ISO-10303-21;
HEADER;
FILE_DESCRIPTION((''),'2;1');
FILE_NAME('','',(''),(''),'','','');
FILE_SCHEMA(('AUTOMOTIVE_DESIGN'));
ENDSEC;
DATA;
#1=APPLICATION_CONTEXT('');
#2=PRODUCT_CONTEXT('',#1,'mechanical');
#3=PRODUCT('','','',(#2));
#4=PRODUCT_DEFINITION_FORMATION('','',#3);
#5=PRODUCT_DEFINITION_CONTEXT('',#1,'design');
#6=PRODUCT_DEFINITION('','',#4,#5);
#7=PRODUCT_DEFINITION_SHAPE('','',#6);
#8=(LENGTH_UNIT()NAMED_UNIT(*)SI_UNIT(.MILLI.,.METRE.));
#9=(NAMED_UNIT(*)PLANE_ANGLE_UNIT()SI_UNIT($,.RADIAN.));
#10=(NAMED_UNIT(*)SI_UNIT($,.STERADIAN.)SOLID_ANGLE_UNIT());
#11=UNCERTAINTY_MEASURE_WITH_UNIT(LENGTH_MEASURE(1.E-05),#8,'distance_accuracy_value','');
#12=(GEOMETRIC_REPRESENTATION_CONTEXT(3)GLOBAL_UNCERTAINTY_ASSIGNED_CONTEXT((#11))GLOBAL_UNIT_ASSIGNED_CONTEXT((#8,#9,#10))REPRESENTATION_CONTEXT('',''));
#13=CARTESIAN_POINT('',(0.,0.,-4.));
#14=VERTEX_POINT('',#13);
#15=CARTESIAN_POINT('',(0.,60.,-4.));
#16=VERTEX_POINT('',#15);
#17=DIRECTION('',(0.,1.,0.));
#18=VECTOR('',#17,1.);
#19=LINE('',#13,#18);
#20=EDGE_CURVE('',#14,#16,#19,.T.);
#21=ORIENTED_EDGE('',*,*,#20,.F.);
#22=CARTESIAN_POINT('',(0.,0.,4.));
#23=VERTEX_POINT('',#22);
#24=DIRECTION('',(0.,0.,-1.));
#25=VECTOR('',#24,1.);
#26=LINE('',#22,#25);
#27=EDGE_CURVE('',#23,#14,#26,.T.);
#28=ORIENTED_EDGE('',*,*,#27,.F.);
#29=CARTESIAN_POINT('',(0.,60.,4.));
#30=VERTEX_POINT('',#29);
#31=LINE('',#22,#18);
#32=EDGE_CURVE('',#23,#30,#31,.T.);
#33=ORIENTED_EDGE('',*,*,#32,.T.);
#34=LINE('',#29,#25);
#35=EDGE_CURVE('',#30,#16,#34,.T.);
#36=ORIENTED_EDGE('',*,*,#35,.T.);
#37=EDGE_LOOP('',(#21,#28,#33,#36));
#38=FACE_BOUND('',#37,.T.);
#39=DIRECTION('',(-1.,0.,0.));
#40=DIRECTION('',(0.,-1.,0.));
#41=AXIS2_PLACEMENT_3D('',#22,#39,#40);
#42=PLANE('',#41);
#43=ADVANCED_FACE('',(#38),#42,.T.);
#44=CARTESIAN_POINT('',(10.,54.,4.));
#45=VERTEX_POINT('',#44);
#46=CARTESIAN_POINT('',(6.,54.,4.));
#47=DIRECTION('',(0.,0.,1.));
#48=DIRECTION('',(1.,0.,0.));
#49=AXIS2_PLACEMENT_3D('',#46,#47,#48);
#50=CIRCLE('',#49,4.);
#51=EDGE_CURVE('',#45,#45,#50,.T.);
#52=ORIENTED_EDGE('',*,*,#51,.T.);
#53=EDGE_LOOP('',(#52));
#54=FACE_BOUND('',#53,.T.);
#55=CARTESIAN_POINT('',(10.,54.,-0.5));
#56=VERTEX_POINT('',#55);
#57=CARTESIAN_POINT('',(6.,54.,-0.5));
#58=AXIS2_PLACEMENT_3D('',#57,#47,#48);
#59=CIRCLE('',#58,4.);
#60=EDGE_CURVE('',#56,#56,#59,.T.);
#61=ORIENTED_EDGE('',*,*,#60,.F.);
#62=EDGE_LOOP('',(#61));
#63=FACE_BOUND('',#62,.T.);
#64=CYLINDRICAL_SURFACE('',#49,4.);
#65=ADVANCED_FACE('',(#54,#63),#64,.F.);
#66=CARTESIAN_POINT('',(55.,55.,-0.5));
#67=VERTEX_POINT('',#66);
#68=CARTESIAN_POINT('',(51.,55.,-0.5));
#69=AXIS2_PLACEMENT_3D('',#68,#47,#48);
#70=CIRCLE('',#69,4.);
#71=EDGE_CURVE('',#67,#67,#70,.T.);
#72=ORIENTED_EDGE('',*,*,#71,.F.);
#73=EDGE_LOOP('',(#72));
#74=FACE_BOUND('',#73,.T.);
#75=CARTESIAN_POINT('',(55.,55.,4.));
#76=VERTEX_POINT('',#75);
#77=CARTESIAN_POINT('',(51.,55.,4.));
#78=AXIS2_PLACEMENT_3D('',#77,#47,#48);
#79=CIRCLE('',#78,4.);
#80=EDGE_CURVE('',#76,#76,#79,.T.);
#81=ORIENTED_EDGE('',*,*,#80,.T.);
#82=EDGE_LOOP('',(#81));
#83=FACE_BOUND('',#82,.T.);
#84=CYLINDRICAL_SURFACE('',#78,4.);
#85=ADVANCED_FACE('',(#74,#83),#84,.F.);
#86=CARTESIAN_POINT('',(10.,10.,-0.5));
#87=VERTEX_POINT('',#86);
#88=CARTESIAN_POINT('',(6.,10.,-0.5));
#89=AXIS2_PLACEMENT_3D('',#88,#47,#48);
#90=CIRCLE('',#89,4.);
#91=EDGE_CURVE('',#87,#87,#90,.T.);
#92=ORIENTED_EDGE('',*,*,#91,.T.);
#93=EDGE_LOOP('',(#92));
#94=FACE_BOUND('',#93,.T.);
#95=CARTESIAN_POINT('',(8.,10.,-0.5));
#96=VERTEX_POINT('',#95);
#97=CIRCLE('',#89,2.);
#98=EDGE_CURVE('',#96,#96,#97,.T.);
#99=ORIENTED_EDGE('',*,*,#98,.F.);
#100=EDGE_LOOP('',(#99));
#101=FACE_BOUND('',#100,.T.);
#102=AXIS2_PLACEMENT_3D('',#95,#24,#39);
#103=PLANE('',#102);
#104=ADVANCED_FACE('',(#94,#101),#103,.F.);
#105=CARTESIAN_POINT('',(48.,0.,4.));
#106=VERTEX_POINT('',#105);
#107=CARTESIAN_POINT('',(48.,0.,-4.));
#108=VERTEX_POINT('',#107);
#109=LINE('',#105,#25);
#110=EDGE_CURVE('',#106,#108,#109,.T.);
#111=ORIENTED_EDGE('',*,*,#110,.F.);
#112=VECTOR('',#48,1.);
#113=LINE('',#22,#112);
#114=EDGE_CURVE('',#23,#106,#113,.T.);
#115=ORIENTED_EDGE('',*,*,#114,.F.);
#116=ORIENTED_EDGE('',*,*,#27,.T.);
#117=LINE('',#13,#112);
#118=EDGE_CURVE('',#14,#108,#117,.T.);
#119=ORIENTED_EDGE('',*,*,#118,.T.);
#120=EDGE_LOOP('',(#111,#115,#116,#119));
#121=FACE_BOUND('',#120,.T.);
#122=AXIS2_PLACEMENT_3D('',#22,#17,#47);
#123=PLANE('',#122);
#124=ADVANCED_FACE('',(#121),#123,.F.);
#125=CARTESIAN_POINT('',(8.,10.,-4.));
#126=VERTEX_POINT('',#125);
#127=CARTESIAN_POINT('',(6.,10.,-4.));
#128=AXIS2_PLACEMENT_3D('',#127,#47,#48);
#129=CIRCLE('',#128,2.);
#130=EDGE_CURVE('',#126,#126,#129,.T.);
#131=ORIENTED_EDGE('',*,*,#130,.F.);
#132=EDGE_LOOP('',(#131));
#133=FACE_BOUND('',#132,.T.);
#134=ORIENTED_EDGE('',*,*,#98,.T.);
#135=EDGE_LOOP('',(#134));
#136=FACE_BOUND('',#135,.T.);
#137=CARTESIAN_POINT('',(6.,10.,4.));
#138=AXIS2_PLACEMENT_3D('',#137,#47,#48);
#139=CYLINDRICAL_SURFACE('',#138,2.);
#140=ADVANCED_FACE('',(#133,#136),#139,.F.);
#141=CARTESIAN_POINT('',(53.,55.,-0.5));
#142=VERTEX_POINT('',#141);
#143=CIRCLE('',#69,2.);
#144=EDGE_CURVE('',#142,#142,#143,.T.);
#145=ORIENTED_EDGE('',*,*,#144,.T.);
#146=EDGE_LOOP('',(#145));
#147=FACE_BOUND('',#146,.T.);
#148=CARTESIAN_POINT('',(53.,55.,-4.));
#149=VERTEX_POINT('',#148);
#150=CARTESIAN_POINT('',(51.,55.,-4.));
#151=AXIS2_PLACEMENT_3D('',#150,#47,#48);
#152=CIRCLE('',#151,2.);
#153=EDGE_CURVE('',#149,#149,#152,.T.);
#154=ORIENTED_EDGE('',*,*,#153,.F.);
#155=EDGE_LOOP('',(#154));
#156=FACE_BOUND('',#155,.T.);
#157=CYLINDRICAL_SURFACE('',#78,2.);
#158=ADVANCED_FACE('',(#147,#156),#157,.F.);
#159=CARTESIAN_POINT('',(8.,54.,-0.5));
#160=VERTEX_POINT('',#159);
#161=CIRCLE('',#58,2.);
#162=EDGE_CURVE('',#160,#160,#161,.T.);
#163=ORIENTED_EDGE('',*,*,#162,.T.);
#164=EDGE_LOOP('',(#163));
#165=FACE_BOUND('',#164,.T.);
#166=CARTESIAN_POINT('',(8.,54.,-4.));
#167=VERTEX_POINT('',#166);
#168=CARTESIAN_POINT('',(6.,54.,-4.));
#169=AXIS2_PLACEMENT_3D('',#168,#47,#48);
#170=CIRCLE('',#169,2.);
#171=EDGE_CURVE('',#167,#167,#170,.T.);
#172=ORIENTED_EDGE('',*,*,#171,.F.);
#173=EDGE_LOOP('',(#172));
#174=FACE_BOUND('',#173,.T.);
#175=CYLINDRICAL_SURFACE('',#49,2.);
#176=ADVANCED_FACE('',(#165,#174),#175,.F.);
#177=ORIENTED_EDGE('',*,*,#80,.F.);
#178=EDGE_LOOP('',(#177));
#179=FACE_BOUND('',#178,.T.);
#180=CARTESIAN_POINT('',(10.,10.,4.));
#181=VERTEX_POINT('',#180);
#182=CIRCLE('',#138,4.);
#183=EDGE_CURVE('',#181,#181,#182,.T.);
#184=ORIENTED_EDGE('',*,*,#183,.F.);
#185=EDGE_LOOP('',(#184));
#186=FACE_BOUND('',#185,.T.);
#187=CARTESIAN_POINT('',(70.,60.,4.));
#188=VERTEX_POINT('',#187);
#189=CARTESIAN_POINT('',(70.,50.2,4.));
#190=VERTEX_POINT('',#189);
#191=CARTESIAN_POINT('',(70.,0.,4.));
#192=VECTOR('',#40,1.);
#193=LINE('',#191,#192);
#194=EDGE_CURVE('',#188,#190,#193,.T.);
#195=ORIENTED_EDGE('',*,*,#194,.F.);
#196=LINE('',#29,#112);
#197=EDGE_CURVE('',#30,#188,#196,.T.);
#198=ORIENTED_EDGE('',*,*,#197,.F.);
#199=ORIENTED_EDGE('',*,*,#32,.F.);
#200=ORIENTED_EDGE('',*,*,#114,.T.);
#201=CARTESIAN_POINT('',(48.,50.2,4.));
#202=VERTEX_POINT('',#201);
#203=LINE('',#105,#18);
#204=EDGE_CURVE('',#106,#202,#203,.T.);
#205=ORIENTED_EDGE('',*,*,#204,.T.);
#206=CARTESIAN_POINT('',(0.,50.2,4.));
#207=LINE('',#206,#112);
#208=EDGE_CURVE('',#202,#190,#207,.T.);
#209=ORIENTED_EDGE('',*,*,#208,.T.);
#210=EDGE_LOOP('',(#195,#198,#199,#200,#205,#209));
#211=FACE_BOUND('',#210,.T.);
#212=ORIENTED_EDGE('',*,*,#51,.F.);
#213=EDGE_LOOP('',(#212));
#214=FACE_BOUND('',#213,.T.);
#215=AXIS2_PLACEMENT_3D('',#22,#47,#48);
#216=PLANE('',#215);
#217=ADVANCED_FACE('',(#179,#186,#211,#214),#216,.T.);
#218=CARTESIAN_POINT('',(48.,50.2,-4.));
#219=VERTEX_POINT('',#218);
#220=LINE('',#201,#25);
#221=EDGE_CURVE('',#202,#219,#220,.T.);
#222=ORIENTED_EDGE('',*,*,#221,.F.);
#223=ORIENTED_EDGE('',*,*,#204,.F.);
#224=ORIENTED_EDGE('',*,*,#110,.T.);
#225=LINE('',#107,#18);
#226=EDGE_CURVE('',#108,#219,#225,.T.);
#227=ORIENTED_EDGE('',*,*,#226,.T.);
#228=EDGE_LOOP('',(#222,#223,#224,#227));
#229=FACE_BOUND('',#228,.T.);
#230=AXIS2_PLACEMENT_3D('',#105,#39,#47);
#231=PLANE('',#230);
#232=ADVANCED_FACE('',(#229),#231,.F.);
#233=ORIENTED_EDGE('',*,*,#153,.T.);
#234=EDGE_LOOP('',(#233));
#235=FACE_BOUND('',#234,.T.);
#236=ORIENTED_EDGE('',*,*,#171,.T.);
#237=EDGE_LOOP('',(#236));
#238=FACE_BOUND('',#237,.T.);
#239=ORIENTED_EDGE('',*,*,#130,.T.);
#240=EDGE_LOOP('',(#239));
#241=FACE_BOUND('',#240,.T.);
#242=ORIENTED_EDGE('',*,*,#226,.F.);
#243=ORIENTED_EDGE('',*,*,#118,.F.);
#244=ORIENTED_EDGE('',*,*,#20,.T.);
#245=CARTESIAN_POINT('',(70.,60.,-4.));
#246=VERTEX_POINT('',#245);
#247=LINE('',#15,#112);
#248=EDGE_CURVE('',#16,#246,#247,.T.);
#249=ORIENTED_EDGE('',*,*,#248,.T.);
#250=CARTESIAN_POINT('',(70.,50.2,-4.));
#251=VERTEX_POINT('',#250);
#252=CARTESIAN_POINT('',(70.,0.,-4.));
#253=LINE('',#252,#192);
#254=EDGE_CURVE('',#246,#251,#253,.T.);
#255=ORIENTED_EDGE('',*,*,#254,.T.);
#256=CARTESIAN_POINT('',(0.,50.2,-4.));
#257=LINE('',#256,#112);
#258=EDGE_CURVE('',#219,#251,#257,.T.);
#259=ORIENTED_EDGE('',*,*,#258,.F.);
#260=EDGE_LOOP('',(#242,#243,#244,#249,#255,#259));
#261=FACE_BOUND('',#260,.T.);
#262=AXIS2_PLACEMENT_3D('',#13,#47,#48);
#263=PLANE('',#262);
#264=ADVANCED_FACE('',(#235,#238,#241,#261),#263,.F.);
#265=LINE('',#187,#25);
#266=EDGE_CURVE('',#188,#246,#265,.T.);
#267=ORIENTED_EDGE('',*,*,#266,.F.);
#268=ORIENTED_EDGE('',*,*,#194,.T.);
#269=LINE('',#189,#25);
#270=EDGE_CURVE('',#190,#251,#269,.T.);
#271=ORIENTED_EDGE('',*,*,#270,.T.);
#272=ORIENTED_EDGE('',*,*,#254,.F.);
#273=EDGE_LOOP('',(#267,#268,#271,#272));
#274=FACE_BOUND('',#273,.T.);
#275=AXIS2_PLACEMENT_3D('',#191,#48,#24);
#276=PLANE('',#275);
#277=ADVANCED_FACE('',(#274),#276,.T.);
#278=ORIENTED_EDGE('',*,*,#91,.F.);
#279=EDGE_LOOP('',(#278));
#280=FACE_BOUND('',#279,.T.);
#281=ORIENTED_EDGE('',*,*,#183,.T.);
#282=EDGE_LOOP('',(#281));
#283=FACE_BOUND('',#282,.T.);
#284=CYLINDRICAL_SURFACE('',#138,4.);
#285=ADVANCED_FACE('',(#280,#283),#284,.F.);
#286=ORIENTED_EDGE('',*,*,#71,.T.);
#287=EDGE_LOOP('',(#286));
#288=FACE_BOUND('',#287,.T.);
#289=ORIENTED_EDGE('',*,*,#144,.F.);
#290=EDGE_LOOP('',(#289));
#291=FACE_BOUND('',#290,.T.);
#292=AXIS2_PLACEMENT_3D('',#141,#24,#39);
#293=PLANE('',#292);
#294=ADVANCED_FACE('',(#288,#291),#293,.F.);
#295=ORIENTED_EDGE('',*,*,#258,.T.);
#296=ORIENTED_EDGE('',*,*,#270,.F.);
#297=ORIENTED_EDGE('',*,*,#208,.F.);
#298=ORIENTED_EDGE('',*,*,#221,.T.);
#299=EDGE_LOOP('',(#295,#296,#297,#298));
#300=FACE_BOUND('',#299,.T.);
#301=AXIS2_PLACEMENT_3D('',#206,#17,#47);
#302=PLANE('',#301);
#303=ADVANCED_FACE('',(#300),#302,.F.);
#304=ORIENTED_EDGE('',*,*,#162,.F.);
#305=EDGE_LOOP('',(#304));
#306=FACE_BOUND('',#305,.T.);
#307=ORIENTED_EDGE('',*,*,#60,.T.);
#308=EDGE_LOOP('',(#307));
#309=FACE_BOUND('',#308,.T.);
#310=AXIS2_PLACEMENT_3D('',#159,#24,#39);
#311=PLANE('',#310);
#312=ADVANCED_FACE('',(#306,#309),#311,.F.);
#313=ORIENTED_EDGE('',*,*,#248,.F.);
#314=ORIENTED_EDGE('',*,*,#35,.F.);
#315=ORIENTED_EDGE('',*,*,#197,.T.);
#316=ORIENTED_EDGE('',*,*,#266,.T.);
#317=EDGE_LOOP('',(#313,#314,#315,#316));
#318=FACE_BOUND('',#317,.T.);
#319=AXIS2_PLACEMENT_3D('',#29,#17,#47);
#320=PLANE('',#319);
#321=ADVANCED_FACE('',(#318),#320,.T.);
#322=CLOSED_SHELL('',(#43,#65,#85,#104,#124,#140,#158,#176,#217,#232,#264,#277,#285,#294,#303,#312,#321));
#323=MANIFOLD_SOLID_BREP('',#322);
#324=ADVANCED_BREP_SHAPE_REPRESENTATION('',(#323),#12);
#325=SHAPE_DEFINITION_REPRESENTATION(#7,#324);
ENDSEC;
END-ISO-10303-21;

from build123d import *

# Parameters (mm, degrees)
BOSS_EXTRUDE1_DEPTH                     = 4
CBORE_FOR_M5_HEX_HEAD_BOLT1_D           = 4
CBORE_FOR_M5_HEX_HEAD_BOLT1_CBORE_D     = 8
CBORE_FOR_M5_HEX_HEAD_BOLT1_CBORE_DEPTH = 4.5


with BuildPart() as part:
    # Sketch1 → Boss-Extrude1 (new, symmetric)
    with BuildSketch(Plane.XY):
        Polygon((0, 44.484987277), (0, 0), (48, 0), (48, 50.2), (70, 50.2), (70, 60), (35, 60), (0, 60), align=None)
    extrude(amount=BOSS_EXTRUDE1_DEPTH, both=True)

    # CBORE for M5 Hex Head Bolt1 (through all)
    with Locations(Plane.XY.offset(4)):
        with Locations((6, 10), (6, 54), (51, 55)):
            CounterBoreHole(CBORE_FOR_M5_HEX_HEAD_BOLT1_D / 2, CBORE_FOR_M5_HEX_HEAD_BOLT1_CBORE_D / 2, CBORE_FOR_M5_HEX_HEAD_BOLT1_CBORE_DEPTH)


solid = part.part
